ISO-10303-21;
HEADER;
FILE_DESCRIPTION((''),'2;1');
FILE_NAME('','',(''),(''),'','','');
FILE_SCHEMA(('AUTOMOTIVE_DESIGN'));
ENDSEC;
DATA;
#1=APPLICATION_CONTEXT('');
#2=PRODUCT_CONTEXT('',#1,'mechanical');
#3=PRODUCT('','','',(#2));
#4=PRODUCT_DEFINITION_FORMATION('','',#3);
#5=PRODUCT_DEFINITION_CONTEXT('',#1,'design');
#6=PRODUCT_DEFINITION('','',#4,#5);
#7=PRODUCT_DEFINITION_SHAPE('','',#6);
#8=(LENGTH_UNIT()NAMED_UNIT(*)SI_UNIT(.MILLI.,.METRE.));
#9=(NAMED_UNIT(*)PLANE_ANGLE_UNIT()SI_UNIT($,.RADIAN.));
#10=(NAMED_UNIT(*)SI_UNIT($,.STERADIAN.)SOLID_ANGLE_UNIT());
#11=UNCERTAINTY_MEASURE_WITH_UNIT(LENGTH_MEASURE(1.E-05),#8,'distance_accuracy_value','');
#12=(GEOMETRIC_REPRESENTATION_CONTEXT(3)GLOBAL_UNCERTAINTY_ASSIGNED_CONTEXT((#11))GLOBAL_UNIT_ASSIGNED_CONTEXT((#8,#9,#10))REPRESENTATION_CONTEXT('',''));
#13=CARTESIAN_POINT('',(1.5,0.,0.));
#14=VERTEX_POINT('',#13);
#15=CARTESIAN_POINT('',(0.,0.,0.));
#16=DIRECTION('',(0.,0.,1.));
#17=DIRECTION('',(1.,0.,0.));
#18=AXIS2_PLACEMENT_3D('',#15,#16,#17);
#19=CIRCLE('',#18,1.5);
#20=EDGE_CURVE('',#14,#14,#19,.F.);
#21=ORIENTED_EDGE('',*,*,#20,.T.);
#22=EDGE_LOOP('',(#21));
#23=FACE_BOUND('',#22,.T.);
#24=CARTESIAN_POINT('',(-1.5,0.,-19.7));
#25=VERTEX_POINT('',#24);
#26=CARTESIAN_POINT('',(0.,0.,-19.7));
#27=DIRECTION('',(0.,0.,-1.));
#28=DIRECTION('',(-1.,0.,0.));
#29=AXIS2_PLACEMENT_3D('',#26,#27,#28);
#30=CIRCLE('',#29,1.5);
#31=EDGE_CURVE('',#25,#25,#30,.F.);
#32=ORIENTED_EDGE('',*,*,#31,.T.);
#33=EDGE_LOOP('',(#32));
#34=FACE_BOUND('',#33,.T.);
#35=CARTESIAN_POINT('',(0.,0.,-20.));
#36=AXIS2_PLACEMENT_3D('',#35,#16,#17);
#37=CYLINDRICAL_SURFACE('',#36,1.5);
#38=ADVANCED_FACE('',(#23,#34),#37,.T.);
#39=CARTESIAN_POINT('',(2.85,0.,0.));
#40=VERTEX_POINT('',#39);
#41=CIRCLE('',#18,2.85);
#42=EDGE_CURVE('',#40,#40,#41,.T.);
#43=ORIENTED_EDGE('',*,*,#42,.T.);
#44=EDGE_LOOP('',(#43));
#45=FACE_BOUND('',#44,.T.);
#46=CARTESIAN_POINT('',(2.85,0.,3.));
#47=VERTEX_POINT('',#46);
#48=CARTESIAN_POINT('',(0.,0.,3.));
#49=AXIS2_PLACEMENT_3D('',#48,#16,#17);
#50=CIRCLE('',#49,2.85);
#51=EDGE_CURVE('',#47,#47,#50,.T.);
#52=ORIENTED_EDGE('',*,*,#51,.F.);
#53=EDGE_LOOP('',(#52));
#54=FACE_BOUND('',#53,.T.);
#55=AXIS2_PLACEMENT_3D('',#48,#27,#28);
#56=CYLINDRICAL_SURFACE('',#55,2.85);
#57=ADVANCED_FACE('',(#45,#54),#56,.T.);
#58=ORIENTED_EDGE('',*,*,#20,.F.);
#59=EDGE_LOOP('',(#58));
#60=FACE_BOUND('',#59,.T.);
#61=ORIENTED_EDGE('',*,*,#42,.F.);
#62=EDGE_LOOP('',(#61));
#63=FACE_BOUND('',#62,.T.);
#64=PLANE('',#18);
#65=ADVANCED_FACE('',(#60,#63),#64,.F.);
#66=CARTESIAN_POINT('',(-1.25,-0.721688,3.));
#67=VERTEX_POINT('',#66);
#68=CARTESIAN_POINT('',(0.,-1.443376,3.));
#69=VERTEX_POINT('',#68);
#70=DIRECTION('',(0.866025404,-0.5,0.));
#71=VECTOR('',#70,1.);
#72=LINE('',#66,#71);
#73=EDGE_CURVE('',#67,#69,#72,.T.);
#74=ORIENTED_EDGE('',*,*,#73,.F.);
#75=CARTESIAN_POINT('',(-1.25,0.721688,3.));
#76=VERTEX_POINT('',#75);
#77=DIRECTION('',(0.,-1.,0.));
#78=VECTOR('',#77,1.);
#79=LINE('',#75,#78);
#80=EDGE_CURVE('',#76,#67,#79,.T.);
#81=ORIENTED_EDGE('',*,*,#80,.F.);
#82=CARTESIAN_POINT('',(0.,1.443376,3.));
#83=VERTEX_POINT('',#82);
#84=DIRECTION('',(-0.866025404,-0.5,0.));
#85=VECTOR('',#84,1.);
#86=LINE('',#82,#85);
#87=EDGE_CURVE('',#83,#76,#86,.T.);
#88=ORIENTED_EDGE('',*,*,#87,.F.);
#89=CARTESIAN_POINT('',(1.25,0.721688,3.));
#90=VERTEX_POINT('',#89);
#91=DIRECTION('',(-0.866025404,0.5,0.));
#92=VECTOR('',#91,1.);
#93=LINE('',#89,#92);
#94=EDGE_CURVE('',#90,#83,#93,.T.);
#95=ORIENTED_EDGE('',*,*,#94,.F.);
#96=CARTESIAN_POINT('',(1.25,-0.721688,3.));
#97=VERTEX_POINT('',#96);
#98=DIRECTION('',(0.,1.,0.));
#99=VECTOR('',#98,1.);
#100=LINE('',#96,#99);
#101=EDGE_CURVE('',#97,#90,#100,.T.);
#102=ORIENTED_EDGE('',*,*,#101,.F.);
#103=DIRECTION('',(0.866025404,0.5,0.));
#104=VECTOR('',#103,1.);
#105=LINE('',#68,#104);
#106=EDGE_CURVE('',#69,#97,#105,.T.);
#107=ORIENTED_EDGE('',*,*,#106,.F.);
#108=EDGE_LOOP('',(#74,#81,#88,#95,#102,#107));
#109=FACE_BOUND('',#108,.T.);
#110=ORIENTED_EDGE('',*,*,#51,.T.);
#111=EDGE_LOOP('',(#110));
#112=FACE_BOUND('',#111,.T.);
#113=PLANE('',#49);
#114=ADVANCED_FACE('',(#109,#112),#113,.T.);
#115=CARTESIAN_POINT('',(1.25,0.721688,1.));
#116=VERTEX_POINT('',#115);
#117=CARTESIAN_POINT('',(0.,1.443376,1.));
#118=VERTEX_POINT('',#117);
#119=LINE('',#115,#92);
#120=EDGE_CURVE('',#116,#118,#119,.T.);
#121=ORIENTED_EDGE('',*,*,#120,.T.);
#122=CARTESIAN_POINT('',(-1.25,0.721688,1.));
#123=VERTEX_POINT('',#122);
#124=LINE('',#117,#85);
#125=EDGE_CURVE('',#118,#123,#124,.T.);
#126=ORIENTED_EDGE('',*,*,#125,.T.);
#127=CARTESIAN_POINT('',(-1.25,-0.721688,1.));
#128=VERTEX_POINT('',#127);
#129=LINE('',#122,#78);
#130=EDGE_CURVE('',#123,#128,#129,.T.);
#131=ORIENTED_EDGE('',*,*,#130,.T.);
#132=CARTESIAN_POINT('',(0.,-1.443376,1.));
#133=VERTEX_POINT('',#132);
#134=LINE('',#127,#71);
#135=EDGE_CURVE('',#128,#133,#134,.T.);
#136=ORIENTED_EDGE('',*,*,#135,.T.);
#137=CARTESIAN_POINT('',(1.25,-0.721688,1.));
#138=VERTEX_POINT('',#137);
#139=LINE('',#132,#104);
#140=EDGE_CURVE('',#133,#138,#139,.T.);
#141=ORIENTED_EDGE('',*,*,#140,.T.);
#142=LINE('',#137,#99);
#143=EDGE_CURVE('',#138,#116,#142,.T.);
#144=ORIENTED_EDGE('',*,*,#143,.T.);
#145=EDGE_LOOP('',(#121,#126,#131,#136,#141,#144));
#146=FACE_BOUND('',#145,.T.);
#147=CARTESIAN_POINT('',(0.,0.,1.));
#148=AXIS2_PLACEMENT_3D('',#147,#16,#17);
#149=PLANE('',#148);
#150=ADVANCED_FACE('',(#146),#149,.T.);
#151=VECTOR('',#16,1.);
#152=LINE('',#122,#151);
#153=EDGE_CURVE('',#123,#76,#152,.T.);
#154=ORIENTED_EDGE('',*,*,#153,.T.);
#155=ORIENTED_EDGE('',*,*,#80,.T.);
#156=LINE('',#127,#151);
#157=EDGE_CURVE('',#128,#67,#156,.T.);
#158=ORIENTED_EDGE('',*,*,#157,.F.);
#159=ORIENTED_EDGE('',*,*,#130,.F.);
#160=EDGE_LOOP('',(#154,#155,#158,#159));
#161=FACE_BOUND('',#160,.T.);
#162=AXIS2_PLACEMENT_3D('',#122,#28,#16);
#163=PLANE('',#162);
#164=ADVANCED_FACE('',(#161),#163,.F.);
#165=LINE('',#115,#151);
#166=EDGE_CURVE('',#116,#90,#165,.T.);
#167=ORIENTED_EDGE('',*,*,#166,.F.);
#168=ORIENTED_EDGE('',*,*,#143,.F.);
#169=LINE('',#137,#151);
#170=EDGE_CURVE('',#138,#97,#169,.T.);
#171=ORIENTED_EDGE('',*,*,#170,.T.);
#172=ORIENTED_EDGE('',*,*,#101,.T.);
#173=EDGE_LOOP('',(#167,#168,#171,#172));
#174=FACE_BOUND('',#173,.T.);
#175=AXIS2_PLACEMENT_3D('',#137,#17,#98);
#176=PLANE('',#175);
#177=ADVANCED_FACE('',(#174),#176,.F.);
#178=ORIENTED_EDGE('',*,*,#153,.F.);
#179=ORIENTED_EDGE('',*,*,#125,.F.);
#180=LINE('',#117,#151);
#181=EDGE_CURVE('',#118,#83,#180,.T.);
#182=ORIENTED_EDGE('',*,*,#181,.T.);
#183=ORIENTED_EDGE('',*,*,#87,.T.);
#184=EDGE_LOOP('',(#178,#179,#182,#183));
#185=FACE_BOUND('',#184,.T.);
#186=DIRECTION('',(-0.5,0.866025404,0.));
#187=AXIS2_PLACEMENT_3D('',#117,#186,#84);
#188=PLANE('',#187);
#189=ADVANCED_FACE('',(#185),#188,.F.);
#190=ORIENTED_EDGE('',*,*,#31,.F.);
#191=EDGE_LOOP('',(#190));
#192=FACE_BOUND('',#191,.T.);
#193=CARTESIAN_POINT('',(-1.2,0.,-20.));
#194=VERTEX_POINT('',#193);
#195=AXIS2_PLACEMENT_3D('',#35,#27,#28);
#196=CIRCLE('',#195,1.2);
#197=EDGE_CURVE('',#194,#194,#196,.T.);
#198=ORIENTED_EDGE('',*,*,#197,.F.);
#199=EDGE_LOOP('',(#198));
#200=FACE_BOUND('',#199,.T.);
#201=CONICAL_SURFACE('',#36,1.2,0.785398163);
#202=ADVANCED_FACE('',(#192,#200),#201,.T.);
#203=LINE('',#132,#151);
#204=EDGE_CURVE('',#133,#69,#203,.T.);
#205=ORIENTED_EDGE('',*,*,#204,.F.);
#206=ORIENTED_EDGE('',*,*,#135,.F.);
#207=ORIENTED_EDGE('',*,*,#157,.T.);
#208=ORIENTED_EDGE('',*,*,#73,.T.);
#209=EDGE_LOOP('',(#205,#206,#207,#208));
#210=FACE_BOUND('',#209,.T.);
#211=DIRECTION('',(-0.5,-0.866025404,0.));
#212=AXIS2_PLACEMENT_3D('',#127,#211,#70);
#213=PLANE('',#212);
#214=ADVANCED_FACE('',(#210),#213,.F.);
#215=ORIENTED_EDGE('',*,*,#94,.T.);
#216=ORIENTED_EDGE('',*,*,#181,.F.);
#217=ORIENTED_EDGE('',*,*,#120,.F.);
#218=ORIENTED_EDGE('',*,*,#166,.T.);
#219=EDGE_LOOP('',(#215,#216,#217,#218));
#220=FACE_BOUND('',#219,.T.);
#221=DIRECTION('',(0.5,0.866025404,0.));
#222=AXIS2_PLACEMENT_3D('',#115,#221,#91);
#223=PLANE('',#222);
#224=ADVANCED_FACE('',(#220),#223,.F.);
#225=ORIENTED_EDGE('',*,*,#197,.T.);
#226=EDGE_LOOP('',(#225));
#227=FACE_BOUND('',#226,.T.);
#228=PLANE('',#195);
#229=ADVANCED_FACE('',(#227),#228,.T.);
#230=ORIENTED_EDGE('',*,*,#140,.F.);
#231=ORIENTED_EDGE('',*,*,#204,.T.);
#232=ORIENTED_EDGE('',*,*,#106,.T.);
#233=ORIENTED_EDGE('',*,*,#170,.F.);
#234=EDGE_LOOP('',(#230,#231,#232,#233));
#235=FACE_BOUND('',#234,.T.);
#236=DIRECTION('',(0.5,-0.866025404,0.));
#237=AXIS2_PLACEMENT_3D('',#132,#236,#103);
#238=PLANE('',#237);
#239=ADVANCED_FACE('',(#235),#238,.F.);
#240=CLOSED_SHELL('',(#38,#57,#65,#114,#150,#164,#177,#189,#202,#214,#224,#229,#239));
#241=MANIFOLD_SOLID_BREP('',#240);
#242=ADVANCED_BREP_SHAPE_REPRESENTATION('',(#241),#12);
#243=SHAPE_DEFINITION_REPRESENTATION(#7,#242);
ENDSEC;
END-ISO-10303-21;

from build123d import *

# Parameters (mm, degrees)
SKETCH1_R           = 2.85
BOSS_EXTRUDE1_DEPTH = 3
SKETCH2_R           = 1.5
BOSS_EXTRUDE2_DEPTH = 20
CHAMFER1_SIZE       = 0.3
CUT_EXTRUDE1_DEPTH  = 2


with BuildPart() as part:
    # Sketch1 → Boss-Extrude1 (new body)
    with BuildSketch(Plane.XY):
        Circle(SKETCH1_R)
    extrude(amount=BOSS_EXTRUDE1_DEPTH)

    # Sketch2 → Boss-Extrude2 (add)
    with BuildSketch(Plane(origin=(0, 0, 0), x_dir=(-1, 0, 0), z_dir=(0, 0, -1))):
        Circle(SKETCH2_R)
    extrude(amount=BOSS_EXTRUDE2_DEPTH)

    # Chamfer1
    chamfer1_edges = [part.edges().sort_by_distance(p)[0] for p in [
        (1.5, 0, -20),
    ]]
    chamfer(chamfer1_edges, length=CHAMFER1_SIZE)

    # Sketch3 → Cut-Extrude1 (cut)
    with BuildSketch(Plane.XY.offset(3)):
        Polygon((0, 1.443375673), (-1.25, 0.721687836), (-1.25, -0.721687836), (0, -1.443375673), (1.25, -0.721687836), (1.25, 0.721687836), align=None)
    extrude(amount=-CUT_EXTRUDE1_DEPTH, mode=Mode.SUBTRACT)


solid = part.part
